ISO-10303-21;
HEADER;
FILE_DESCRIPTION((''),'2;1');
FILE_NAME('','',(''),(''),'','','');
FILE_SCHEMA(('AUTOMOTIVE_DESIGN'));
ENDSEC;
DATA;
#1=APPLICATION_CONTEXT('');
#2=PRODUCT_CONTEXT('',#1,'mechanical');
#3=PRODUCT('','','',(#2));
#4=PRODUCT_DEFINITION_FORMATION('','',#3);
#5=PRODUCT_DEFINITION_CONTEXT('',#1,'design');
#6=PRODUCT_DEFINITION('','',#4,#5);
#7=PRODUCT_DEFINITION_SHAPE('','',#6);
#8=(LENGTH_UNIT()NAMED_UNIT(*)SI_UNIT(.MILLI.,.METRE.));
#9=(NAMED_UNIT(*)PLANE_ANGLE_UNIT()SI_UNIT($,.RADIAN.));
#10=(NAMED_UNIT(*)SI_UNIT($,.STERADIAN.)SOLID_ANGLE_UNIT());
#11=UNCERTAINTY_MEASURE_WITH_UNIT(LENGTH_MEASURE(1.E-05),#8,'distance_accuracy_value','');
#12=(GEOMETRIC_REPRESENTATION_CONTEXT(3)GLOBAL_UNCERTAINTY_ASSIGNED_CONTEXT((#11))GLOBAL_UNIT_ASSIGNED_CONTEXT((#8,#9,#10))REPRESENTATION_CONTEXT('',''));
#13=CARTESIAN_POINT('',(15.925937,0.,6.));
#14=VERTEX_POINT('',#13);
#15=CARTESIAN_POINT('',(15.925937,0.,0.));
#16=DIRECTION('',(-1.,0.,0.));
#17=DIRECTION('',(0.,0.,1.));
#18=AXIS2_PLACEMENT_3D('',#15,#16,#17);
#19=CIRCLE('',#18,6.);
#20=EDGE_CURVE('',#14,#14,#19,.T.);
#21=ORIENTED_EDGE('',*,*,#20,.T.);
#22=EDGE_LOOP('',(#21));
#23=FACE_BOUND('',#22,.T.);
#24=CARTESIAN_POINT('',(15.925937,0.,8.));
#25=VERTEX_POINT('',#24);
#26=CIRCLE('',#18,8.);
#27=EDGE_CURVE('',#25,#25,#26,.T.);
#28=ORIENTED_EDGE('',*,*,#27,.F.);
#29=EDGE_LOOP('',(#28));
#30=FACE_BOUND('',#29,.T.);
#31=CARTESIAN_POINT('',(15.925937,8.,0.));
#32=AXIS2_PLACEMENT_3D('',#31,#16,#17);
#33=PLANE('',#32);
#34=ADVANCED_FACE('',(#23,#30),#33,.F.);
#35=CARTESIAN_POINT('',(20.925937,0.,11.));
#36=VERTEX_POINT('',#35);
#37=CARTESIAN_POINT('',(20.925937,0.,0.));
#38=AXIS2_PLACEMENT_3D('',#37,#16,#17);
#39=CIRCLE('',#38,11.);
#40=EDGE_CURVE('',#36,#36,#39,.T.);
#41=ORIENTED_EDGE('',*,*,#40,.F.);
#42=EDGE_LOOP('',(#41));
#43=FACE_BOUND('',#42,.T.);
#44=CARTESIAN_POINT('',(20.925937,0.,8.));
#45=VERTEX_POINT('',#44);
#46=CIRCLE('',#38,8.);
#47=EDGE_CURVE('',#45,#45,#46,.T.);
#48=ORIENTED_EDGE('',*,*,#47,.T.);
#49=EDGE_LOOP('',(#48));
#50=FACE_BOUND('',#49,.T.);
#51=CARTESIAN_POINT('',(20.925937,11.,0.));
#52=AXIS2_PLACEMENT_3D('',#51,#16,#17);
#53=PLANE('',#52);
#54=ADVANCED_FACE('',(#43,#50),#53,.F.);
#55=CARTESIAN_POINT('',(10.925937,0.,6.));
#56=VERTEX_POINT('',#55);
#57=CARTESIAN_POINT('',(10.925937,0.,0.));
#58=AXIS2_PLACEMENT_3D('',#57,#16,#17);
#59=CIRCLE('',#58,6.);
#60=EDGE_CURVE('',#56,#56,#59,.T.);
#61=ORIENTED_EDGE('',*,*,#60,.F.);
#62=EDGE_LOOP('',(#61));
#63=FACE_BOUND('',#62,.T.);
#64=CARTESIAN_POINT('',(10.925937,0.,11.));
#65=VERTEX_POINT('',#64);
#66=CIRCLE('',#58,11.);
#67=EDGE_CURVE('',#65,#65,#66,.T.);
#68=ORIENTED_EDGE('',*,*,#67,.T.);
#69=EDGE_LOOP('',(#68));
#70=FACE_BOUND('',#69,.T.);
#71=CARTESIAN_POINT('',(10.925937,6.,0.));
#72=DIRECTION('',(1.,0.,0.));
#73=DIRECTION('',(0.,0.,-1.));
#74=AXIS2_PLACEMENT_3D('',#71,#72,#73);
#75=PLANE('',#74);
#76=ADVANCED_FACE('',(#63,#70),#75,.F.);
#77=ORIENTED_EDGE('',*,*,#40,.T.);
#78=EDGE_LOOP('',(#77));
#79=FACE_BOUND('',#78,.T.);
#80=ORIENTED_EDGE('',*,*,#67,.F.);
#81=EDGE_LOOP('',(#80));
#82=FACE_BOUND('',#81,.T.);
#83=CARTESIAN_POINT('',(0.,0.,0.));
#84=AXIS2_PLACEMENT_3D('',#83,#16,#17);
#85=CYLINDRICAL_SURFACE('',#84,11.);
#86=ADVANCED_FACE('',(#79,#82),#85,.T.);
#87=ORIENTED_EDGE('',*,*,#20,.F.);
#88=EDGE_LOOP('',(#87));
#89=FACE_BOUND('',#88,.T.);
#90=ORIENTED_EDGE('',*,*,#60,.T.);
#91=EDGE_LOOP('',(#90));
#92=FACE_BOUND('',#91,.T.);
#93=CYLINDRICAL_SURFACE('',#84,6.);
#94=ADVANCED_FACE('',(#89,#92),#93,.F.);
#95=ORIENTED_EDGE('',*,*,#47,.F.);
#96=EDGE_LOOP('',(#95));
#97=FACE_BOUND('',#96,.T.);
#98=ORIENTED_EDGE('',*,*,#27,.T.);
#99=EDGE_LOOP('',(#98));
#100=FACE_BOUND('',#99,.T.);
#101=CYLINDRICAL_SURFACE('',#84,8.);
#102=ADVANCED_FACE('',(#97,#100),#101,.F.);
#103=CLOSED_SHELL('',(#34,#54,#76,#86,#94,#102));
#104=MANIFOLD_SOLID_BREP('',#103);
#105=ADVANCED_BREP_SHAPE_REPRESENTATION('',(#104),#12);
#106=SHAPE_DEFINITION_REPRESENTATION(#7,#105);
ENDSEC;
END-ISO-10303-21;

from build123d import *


with BuildPart() as part:
    # Esquisse1 → Révolution1 (revolve)
    with BuildSketch(Plane.XY):
        Polygon((10.925936703, 6), (10.925936703, 11), (20.925936703, 11), (20.925936703, 8), (15.925936703, 8), (15.925936703, 6), align=None)
    revolve(axis=Axis((0, 0, 0), (1, 0, 0)))


solid = part.part
